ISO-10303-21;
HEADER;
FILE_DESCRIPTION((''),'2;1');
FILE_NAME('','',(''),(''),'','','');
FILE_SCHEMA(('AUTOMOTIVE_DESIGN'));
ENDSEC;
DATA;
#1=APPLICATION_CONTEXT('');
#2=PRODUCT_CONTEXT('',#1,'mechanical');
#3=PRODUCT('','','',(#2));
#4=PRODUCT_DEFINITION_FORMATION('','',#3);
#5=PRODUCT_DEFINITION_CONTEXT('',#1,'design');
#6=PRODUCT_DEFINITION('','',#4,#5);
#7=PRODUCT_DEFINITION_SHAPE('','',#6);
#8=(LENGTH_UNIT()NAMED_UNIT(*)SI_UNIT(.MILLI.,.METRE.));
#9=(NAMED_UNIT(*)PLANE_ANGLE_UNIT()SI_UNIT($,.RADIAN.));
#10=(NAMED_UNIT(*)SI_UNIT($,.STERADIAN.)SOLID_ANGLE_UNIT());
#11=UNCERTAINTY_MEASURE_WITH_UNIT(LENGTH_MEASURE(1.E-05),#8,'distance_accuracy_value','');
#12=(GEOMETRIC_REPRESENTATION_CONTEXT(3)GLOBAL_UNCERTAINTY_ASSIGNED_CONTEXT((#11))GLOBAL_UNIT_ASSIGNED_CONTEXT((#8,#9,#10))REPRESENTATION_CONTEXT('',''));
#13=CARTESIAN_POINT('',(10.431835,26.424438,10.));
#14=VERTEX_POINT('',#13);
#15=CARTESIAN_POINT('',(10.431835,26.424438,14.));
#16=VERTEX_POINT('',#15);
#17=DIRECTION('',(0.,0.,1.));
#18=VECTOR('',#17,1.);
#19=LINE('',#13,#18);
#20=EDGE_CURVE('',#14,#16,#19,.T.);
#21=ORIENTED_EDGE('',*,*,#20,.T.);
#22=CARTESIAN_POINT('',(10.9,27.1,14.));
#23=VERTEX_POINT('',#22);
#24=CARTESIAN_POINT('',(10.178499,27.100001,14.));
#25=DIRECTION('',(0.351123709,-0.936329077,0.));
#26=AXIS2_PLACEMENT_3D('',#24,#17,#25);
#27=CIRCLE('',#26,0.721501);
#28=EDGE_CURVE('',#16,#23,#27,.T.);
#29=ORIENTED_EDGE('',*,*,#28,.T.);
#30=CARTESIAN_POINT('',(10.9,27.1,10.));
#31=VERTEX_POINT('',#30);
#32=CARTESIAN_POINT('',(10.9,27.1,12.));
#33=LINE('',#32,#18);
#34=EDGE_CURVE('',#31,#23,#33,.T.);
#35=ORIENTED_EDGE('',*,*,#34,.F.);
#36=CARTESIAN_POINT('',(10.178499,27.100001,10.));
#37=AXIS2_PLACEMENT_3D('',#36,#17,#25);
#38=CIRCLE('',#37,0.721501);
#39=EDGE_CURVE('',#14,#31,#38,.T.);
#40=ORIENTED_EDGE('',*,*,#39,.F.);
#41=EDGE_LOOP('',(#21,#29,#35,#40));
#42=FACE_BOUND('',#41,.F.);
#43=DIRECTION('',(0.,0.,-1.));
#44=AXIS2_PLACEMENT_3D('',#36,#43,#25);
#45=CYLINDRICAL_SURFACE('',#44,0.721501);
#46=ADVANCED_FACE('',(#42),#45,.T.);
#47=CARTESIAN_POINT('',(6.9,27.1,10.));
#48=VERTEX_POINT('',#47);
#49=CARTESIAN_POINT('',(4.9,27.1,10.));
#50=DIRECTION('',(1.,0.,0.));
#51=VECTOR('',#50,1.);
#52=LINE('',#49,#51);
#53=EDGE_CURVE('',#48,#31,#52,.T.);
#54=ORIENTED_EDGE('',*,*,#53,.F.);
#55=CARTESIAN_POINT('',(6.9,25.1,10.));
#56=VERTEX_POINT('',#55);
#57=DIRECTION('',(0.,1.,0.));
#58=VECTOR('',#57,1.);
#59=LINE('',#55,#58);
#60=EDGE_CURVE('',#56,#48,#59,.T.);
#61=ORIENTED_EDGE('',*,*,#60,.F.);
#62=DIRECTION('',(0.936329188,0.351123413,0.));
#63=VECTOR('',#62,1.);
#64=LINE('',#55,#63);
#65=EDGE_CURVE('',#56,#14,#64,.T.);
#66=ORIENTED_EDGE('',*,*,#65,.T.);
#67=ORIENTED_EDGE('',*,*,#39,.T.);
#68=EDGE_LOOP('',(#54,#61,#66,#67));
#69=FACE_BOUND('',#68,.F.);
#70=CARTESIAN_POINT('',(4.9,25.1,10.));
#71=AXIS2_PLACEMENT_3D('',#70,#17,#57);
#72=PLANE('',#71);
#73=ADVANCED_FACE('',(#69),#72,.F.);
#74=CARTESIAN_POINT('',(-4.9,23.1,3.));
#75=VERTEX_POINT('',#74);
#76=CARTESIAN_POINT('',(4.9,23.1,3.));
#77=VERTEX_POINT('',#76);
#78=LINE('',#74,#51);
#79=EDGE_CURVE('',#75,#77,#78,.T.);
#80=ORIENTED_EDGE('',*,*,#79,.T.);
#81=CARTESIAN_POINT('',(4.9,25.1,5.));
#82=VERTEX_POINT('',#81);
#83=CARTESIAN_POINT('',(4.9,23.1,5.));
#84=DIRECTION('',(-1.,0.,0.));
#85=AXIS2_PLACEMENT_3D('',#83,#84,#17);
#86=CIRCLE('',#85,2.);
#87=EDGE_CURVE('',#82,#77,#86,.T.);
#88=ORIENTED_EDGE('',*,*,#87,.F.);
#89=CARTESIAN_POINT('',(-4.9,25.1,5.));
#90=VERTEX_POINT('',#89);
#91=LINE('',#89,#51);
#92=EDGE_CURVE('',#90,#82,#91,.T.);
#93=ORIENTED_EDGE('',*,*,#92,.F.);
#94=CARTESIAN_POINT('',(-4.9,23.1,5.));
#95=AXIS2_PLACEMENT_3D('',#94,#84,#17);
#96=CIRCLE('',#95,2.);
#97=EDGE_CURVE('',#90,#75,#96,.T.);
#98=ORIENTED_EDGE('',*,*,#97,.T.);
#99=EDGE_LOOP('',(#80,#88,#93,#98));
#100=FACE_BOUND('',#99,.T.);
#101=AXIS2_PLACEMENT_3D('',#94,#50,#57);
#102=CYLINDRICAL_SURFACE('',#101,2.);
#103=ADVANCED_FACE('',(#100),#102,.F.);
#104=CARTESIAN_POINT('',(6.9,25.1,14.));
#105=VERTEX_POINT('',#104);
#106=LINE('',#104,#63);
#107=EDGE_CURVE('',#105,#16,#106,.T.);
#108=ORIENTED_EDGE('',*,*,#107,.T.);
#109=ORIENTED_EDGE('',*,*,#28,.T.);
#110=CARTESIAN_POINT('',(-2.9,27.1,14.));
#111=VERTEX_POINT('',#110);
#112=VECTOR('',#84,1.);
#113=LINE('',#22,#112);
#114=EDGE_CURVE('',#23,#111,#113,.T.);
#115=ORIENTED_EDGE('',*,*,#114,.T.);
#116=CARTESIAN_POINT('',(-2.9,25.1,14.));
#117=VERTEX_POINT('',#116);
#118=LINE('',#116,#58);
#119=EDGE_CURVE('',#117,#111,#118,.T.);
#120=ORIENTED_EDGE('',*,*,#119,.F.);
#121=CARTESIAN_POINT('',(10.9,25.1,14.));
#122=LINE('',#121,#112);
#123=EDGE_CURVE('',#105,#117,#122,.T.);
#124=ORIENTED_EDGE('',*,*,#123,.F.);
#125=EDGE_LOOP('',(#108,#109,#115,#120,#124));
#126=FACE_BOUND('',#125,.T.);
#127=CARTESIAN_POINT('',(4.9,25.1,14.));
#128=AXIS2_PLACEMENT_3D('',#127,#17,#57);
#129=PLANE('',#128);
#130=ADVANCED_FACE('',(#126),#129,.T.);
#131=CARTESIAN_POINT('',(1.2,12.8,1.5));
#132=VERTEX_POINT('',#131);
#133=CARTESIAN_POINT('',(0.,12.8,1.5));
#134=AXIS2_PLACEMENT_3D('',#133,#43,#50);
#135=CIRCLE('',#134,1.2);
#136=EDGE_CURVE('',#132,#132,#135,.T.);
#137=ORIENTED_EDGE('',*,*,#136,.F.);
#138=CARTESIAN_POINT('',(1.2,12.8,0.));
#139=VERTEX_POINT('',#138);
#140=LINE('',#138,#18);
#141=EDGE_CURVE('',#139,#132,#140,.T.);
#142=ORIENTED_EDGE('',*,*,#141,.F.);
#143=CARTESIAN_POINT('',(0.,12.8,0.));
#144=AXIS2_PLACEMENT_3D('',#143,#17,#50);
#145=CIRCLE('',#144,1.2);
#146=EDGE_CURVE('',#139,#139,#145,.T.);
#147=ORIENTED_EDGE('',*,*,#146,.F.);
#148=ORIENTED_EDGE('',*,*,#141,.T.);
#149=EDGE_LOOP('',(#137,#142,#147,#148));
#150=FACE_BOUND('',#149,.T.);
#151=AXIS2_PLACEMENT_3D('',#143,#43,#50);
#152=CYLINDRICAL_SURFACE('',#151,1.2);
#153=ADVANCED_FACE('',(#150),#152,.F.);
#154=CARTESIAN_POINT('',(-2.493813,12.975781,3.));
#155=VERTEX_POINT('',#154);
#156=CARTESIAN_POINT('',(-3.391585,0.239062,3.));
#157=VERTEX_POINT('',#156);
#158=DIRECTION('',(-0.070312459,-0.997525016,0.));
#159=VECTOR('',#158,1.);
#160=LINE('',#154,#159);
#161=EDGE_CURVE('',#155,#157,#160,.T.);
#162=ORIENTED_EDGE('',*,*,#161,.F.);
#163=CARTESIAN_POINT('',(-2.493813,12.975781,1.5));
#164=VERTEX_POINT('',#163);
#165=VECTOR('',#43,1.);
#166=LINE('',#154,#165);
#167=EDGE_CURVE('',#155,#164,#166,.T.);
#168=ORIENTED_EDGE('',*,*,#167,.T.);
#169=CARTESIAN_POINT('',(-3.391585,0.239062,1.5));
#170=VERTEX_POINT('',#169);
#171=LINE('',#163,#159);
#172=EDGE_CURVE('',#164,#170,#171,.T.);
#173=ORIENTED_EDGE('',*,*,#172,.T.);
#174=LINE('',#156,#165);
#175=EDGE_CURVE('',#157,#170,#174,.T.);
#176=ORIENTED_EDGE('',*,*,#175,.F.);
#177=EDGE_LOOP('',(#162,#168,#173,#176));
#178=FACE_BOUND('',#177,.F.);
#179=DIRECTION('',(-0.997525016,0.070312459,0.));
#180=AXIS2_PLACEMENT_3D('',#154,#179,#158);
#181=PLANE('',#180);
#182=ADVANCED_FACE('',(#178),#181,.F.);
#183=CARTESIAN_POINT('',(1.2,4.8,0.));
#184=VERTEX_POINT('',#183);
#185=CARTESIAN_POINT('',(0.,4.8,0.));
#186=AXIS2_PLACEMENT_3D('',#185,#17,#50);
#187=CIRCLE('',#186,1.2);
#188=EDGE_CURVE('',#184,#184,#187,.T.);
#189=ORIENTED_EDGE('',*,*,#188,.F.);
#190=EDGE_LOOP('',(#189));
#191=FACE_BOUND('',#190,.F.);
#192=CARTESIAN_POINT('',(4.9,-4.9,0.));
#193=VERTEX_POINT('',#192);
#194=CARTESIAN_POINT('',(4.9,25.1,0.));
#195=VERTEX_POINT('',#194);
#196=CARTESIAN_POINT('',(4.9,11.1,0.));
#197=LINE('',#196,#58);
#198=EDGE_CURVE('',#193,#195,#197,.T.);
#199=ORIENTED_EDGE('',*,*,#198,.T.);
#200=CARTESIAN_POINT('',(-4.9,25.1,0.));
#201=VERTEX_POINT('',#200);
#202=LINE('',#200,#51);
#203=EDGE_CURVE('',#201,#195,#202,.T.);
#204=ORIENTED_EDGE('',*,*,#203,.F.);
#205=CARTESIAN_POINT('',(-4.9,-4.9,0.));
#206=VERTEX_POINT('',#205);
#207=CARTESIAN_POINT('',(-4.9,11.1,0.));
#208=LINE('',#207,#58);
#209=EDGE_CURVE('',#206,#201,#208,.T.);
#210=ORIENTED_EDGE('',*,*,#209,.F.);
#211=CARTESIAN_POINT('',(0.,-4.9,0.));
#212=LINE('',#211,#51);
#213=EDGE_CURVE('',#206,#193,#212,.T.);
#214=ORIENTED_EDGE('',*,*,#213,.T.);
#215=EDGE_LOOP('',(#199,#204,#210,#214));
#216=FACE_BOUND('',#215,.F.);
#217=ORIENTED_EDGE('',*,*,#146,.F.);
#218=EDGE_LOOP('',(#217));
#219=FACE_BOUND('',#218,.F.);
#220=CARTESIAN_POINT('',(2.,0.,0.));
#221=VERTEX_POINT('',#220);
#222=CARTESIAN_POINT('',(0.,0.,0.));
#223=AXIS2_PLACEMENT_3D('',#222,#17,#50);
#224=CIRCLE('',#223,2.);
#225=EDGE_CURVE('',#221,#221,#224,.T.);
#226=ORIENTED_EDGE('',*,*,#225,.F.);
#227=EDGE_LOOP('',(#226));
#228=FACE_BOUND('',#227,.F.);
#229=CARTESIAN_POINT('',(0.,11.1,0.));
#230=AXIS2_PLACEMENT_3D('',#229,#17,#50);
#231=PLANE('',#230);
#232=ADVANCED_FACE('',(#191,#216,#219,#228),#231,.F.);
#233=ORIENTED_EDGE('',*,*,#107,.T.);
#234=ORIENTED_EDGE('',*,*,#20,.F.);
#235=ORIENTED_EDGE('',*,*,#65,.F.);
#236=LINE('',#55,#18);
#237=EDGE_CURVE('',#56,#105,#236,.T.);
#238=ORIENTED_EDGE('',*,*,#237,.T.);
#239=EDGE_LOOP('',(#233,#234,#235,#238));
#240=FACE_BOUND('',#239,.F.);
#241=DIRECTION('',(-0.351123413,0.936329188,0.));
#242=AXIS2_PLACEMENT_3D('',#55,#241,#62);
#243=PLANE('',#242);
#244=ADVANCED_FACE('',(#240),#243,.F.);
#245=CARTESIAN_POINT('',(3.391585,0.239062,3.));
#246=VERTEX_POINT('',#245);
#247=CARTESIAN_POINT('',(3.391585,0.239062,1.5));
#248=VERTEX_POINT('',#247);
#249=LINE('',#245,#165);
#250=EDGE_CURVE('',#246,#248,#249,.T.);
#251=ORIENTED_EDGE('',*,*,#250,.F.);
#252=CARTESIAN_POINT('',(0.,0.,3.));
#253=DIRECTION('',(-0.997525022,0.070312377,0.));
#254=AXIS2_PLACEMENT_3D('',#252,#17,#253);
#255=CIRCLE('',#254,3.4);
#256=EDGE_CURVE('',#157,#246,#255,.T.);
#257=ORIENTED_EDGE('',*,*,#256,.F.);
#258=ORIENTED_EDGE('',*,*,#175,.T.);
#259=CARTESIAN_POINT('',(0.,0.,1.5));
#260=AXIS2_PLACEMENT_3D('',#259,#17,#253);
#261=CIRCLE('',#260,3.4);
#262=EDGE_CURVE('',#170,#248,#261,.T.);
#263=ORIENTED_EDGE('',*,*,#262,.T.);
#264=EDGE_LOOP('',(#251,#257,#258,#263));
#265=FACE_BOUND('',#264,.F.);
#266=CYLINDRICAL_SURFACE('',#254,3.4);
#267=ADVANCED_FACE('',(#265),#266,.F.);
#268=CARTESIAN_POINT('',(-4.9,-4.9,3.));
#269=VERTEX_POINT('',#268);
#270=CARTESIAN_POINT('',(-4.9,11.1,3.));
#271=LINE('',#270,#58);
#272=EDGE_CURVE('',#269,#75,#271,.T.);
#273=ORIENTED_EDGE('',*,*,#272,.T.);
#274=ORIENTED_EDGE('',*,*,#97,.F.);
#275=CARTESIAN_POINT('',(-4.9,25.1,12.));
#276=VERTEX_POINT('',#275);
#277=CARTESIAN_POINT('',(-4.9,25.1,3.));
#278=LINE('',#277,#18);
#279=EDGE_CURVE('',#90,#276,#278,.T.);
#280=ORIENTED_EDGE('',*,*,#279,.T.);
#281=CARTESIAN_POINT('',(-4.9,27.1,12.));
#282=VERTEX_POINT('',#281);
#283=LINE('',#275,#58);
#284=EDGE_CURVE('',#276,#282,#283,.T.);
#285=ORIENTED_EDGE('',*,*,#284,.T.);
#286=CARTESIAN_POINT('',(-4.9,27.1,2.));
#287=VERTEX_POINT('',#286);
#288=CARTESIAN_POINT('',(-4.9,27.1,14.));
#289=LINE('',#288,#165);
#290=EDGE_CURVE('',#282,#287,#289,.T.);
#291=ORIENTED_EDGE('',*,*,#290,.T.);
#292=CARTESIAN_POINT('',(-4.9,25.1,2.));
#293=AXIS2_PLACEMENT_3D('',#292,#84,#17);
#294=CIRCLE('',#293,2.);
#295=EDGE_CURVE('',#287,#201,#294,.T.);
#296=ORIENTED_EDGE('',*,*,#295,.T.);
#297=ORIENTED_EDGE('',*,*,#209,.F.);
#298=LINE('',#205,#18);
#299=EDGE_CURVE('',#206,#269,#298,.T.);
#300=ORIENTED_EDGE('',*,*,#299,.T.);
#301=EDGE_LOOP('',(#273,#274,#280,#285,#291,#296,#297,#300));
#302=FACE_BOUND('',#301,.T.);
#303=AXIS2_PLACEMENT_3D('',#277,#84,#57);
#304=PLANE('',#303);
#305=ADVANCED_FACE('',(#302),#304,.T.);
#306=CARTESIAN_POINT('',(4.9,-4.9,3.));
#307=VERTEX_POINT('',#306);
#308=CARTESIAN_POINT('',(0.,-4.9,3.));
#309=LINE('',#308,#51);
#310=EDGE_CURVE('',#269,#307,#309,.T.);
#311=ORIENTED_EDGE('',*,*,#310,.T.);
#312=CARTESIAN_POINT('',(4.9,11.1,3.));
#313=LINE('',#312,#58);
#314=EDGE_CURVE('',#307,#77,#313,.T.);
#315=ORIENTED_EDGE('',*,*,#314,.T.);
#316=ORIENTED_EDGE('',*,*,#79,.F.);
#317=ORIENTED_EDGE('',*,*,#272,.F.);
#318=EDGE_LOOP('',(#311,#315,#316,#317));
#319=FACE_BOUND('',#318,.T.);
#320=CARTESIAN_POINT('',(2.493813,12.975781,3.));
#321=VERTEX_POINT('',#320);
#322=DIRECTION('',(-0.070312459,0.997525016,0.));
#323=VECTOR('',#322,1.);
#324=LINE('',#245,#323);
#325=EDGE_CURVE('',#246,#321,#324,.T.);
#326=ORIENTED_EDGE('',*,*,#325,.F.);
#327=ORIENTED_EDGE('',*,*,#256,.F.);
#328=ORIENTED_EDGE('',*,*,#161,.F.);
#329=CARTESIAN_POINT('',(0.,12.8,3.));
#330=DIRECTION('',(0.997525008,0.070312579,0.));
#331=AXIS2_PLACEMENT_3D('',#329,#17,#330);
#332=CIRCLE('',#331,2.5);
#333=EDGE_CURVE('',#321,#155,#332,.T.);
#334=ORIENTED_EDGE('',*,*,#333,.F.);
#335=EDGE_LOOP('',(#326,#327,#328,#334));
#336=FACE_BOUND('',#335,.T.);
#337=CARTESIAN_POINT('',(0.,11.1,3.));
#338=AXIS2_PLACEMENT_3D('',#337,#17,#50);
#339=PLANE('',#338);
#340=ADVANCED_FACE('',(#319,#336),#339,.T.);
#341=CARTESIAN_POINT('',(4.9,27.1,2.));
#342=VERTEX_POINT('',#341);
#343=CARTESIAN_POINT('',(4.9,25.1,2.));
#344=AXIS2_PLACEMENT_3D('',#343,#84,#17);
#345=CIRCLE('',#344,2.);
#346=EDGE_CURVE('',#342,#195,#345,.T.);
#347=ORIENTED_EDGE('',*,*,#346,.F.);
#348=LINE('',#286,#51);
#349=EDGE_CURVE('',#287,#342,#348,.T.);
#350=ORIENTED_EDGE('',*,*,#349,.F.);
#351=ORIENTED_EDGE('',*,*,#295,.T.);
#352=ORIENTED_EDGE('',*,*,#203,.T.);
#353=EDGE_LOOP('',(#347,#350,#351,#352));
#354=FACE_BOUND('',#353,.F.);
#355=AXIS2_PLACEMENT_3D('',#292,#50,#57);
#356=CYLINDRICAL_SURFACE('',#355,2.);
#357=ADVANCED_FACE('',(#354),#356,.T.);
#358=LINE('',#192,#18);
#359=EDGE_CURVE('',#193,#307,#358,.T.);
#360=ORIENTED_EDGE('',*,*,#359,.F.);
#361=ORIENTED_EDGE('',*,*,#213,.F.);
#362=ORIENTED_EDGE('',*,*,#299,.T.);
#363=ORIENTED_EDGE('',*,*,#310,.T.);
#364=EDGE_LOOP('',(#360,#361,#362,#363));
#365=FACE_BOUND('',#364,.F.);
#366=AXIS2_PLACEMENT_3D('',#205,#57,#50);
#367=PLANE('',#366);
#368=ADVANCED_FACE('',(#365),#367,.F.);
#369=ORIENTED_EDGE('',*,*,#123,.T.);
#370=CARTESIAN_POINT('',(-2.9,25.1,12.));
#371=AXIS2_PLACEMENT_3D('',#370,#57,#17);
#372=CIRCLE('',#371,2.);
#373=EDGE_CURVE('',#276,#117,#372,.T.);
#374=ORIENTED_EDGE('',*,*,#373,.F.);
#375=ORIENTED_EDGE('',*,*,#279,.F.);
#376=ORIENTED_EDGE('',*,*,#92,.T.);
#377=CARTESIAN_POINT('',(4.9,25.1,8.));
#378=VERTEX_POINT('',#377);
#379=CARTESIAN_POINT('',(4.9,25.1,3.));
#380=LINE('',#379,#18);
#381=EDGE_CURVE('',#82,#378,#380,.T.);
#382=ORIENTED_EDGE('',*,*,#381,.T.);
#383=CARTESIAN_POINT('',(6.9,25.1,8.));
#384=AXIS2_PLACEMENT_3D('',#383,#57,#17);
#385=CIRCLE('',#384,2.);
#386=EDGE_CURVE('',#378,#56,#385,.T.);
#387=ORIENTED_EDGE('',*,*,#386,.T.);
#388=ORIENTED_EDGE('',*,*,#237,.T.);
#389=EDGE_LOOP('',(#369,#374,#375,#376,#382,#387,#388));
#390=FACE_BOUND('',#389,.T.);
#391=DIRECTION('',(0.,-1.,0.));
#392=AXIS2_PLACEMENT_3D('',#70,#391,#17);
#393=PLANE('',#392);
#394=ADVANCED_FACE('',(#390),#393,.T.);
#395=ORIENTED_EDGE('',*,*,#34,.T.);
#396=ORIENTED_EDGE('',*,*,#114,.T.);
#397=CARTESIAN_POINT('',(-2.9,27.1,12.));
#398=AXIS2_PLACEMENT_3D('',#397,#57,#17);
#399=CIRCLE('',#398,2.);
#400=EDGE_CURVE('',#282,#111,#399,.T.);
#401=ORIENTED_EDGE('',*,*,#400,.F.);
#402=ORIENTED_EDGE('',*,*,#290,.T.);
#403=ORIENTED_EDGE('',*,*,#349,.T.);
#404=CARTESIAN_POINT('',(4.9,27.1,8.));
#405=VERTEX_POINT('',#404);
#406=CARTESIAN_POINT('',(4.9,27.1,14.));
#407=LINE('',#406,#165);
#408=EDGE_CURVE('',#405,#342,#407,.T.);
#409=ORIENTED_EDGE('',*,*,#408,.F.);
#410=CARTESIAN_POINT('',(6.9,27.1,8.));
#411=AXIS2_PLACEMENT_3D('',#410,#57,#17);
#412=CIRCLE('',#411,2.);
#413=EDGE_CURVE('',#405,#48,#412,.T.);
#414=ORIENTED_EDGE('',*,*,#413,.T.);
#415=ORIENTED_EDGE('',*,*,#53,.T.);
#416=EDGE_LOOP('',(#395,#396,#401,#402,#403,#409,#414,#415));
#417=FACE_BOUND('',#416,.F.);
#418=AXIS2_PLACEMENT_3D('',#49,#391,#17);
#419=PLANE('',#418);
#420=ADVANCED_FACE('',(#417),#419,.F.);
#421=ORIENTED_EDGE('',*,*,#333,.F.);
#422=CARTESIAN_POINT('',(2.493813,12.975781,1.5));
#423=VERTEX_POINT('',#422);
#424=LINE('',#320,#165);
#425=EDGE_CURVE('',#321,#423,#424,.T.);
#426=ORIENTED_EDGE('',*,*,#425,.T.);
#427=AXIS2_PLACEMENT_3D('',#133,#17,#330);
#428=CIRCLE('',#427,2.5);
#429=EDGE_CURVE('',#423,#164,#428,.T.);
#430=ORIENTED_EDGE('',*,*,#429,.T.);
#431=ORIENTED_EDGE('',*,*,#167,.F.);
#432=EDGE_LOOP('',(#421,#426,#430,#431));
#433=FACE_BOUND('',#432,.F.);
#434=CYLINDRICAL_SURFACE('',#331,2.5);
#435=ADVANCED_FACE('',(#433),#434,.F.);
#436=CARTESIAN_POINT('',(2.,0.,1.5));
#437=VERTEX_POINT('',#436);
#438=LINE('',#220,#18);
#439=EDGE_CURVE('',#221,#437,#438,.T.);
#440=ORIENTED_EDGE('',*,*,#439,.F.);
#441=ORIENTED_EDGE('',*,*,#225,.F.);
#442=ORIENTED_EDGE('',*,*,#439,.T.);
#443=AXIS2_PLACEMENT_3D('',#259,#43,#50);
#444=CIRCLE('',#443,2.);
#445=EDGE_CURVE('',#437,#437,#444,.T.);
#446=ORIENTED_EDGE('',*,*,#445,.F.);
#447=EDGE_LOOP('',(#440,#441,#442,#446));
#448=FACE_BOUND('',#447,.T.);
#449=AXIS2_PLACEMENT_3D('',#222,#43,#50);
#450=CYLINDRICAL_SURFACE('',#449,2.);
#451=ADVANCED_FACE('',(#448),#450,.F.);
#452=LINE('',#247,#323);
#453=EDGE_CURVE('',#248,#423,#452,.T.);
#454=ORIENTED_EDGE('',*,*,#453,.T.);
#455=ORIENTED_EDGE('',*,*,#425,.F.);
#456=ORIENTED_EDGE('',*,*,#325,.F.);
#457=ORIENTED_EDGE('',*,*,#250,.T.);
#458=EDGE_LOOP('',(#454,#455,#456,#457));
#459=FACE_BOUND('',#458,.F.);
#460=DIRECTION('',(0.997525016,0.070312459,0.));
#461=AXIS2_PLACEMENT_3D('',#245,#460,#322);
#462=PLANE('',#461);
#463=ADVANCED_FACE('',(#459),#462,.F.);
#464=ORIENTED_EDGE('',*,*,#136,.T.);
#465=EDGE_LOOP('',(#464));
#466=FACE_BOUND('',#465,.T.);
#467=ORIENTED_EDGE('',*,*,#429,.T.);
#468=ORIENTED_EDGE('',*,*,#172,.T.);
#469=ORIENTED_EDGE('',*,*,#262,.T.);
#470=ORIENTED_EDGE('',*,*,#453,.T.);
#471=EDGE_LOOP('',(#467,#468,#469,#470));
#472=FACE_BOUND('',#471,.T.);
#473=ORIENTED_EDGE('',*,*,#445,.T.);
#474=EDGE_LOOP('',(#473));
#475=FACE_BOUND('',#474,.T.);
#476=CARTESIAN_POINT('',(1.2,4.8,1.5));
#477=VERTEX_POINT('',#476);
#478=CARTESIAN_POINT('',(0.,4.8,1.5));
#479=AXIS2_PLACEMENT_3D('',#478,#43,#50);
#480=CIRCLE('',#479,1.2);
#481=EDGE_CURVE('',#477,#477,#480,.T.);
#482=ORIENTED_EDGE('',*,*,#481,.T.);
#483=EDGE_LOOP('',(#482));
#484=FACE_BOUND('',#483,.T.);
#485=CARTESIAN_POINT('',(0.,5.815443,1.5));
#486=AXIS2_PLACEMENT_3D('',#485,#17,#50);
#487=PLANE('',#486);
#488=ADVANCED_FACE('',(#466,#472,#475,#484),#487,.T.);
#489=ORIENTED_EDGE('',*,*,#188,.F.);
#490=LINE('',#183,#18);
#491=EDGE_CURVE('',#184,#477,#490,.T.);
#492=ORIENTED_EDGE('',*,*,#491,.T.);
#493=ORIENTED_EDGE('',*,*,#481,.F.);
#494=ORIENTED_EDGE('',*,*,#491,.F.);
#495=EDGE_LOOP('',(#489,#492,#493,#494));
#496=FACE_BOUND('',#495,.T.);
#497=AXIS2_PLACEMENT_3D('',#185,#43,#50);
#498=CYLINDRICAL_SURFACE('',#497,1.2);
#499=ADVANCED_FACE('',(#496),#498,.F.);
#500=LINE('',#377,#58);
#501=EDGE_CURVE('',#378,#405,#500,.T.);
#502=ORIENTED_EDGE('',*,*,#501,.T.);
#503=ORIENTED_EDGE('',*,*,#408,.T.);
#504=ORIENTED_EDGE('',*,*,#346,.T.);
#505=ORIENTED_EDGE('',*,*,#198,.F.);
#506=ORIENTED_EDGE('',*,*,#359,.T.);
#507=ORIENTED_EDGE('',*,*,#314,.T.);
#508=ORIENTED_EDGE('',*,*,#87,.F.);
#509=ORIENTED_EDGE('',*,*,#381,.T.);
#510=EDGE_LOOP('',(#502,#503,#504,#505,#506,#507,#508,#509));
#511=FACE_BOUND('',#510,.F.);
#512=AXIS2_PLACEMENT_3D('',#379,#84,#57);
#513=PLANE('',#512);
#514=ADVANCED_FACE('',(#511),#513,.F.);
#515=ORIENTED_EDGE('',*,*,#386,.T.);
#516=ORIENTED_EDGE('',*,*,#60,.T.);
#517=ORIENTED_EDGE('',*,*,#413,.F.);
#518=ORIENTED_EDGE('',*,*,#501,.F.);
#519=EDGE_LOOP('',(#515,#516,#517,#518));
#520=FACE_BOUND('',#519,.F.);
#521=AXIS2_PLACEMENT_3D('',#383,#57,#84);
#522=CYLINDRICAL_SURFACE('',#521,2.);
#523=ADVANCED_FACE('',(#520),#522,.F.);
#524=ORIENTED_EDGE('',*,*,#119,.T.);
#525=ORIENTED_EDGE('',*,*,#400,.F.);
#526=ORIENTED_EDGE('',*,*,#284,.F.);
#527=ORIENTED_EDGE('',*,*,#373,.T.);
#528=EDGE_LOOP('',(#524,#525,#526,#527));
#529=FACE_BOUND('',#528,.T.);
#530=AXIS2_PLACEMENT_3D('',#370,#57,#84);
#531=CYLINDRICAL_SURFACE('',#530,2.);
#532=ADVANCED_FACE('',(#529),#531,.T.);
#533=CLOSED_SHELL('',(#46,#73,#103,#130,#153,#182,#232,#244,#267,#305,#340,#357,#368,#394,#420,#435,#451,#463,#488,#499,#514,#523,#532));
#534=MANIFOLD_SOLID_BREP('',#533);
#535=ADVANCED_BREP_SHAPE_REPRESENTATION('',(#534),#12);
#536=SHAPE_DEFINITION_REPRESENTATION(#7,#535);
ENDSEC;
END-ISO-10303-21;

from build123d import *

# Parameters (mm, degrees)
F0_W      = 9.8
F0_H      = 32
F0_R      = 2
F0_R_2    = 1.2
F1_DEPTH  = 3
F3_DEPTH  = 1.5
F4_W      = 9.8
F4_H      = 2
F5_DEPTH  = 11
F6_W      = 2
F6_H      = 4
F7_DEPTH  = 6
F8_R      = 2
F10_DEPTH = 4


with BuildPart() as f1:
    # F0 (on Top) → F1 (new body)
    with BuildSketch(Plane.XY):
        with Locations((0, 11.1)):
            Rectangle(F0_W, F0_H)
        Circle(F0_R, mode=Mode.SUBTRACT)
        with Locations((0, 4.8)):
            Circle(F0_R_2, mode=Mode.SUBTRACT)
        with Locations((0, 12.8)):
            Circle(F0_R_2, mode=Mode.SUBTRACT)
    extrude(amount=F1_DEPTH)

    # F2 (on face) → F3 (cut)
    with BuildSketch(Plane.XY.offset(3)):
        with BuildLine():
            Line((-2.493813, 12.975781), (-3.391585, 0.239062))
            ThreePointArc((-3.391585, 0.239062), (0, -3.4), (3.391585, 0.239062))
            Line((3.391585, 0.239062), (2.493813, 12.975781))
            ThreePointArc((2.493813, 12.975781), (0, 15.3), (-2.493813, 12.975781))
        make_face()
    extrude(amount=-F3_DEPTH, mode=Mode.SUBTRACT)

    # F4 (on face) → F5 (join)
    with BuildSketch(Plane.XY.offset(3)):
        with Locations((0, 26.1)):
            Rectangle(F4_W, F4_H)
    extrude(amount=F5_DEPTH)

    # F6 (on face) → F7 (join)
    with BuildSketch(Plane.YZ.offset(4.9)):
        with Locations((26.1, 12)):
            Rectangle(F6_W, F6_H)
    extrude(amount=F7_DEPTH)

    # F8
    f8_edges = [f1.edges().sort_by_distance(p)[0] for p in [
        (4.9, 26.1, 10),
        (-4.9, 26.1, 14),
        (0, 25.1, 3),
        (0, 27.1, 0),
    ]]
    fillet(f8_edges, radius=F8_R)

    # F9 (on face) → F10 (cut, through all)
    with BuildSketch(Plane(origin=(0, 0, 10), x_dir=(1, 0, 0), z_dir=(0, 0, -1))):
        with BuildLine():
            Line((10.9, -25.1), (6.9, -25.1))
            Line((6.9, -25.1), (10.431835, -26.424438))
            ThreePointArc((10.431835, -26.424438), (10.771519, -26.689037), (10.9, -27.1))
            Line((10.9, -27.1), (10.9, -26.6))
            Line((10.9, -26.6), (10.9, -25.1))
        make_face()
    extrude(amount=-F10_DEPTH, mode=Mode.SUBTRACT)


solid = f1.part
